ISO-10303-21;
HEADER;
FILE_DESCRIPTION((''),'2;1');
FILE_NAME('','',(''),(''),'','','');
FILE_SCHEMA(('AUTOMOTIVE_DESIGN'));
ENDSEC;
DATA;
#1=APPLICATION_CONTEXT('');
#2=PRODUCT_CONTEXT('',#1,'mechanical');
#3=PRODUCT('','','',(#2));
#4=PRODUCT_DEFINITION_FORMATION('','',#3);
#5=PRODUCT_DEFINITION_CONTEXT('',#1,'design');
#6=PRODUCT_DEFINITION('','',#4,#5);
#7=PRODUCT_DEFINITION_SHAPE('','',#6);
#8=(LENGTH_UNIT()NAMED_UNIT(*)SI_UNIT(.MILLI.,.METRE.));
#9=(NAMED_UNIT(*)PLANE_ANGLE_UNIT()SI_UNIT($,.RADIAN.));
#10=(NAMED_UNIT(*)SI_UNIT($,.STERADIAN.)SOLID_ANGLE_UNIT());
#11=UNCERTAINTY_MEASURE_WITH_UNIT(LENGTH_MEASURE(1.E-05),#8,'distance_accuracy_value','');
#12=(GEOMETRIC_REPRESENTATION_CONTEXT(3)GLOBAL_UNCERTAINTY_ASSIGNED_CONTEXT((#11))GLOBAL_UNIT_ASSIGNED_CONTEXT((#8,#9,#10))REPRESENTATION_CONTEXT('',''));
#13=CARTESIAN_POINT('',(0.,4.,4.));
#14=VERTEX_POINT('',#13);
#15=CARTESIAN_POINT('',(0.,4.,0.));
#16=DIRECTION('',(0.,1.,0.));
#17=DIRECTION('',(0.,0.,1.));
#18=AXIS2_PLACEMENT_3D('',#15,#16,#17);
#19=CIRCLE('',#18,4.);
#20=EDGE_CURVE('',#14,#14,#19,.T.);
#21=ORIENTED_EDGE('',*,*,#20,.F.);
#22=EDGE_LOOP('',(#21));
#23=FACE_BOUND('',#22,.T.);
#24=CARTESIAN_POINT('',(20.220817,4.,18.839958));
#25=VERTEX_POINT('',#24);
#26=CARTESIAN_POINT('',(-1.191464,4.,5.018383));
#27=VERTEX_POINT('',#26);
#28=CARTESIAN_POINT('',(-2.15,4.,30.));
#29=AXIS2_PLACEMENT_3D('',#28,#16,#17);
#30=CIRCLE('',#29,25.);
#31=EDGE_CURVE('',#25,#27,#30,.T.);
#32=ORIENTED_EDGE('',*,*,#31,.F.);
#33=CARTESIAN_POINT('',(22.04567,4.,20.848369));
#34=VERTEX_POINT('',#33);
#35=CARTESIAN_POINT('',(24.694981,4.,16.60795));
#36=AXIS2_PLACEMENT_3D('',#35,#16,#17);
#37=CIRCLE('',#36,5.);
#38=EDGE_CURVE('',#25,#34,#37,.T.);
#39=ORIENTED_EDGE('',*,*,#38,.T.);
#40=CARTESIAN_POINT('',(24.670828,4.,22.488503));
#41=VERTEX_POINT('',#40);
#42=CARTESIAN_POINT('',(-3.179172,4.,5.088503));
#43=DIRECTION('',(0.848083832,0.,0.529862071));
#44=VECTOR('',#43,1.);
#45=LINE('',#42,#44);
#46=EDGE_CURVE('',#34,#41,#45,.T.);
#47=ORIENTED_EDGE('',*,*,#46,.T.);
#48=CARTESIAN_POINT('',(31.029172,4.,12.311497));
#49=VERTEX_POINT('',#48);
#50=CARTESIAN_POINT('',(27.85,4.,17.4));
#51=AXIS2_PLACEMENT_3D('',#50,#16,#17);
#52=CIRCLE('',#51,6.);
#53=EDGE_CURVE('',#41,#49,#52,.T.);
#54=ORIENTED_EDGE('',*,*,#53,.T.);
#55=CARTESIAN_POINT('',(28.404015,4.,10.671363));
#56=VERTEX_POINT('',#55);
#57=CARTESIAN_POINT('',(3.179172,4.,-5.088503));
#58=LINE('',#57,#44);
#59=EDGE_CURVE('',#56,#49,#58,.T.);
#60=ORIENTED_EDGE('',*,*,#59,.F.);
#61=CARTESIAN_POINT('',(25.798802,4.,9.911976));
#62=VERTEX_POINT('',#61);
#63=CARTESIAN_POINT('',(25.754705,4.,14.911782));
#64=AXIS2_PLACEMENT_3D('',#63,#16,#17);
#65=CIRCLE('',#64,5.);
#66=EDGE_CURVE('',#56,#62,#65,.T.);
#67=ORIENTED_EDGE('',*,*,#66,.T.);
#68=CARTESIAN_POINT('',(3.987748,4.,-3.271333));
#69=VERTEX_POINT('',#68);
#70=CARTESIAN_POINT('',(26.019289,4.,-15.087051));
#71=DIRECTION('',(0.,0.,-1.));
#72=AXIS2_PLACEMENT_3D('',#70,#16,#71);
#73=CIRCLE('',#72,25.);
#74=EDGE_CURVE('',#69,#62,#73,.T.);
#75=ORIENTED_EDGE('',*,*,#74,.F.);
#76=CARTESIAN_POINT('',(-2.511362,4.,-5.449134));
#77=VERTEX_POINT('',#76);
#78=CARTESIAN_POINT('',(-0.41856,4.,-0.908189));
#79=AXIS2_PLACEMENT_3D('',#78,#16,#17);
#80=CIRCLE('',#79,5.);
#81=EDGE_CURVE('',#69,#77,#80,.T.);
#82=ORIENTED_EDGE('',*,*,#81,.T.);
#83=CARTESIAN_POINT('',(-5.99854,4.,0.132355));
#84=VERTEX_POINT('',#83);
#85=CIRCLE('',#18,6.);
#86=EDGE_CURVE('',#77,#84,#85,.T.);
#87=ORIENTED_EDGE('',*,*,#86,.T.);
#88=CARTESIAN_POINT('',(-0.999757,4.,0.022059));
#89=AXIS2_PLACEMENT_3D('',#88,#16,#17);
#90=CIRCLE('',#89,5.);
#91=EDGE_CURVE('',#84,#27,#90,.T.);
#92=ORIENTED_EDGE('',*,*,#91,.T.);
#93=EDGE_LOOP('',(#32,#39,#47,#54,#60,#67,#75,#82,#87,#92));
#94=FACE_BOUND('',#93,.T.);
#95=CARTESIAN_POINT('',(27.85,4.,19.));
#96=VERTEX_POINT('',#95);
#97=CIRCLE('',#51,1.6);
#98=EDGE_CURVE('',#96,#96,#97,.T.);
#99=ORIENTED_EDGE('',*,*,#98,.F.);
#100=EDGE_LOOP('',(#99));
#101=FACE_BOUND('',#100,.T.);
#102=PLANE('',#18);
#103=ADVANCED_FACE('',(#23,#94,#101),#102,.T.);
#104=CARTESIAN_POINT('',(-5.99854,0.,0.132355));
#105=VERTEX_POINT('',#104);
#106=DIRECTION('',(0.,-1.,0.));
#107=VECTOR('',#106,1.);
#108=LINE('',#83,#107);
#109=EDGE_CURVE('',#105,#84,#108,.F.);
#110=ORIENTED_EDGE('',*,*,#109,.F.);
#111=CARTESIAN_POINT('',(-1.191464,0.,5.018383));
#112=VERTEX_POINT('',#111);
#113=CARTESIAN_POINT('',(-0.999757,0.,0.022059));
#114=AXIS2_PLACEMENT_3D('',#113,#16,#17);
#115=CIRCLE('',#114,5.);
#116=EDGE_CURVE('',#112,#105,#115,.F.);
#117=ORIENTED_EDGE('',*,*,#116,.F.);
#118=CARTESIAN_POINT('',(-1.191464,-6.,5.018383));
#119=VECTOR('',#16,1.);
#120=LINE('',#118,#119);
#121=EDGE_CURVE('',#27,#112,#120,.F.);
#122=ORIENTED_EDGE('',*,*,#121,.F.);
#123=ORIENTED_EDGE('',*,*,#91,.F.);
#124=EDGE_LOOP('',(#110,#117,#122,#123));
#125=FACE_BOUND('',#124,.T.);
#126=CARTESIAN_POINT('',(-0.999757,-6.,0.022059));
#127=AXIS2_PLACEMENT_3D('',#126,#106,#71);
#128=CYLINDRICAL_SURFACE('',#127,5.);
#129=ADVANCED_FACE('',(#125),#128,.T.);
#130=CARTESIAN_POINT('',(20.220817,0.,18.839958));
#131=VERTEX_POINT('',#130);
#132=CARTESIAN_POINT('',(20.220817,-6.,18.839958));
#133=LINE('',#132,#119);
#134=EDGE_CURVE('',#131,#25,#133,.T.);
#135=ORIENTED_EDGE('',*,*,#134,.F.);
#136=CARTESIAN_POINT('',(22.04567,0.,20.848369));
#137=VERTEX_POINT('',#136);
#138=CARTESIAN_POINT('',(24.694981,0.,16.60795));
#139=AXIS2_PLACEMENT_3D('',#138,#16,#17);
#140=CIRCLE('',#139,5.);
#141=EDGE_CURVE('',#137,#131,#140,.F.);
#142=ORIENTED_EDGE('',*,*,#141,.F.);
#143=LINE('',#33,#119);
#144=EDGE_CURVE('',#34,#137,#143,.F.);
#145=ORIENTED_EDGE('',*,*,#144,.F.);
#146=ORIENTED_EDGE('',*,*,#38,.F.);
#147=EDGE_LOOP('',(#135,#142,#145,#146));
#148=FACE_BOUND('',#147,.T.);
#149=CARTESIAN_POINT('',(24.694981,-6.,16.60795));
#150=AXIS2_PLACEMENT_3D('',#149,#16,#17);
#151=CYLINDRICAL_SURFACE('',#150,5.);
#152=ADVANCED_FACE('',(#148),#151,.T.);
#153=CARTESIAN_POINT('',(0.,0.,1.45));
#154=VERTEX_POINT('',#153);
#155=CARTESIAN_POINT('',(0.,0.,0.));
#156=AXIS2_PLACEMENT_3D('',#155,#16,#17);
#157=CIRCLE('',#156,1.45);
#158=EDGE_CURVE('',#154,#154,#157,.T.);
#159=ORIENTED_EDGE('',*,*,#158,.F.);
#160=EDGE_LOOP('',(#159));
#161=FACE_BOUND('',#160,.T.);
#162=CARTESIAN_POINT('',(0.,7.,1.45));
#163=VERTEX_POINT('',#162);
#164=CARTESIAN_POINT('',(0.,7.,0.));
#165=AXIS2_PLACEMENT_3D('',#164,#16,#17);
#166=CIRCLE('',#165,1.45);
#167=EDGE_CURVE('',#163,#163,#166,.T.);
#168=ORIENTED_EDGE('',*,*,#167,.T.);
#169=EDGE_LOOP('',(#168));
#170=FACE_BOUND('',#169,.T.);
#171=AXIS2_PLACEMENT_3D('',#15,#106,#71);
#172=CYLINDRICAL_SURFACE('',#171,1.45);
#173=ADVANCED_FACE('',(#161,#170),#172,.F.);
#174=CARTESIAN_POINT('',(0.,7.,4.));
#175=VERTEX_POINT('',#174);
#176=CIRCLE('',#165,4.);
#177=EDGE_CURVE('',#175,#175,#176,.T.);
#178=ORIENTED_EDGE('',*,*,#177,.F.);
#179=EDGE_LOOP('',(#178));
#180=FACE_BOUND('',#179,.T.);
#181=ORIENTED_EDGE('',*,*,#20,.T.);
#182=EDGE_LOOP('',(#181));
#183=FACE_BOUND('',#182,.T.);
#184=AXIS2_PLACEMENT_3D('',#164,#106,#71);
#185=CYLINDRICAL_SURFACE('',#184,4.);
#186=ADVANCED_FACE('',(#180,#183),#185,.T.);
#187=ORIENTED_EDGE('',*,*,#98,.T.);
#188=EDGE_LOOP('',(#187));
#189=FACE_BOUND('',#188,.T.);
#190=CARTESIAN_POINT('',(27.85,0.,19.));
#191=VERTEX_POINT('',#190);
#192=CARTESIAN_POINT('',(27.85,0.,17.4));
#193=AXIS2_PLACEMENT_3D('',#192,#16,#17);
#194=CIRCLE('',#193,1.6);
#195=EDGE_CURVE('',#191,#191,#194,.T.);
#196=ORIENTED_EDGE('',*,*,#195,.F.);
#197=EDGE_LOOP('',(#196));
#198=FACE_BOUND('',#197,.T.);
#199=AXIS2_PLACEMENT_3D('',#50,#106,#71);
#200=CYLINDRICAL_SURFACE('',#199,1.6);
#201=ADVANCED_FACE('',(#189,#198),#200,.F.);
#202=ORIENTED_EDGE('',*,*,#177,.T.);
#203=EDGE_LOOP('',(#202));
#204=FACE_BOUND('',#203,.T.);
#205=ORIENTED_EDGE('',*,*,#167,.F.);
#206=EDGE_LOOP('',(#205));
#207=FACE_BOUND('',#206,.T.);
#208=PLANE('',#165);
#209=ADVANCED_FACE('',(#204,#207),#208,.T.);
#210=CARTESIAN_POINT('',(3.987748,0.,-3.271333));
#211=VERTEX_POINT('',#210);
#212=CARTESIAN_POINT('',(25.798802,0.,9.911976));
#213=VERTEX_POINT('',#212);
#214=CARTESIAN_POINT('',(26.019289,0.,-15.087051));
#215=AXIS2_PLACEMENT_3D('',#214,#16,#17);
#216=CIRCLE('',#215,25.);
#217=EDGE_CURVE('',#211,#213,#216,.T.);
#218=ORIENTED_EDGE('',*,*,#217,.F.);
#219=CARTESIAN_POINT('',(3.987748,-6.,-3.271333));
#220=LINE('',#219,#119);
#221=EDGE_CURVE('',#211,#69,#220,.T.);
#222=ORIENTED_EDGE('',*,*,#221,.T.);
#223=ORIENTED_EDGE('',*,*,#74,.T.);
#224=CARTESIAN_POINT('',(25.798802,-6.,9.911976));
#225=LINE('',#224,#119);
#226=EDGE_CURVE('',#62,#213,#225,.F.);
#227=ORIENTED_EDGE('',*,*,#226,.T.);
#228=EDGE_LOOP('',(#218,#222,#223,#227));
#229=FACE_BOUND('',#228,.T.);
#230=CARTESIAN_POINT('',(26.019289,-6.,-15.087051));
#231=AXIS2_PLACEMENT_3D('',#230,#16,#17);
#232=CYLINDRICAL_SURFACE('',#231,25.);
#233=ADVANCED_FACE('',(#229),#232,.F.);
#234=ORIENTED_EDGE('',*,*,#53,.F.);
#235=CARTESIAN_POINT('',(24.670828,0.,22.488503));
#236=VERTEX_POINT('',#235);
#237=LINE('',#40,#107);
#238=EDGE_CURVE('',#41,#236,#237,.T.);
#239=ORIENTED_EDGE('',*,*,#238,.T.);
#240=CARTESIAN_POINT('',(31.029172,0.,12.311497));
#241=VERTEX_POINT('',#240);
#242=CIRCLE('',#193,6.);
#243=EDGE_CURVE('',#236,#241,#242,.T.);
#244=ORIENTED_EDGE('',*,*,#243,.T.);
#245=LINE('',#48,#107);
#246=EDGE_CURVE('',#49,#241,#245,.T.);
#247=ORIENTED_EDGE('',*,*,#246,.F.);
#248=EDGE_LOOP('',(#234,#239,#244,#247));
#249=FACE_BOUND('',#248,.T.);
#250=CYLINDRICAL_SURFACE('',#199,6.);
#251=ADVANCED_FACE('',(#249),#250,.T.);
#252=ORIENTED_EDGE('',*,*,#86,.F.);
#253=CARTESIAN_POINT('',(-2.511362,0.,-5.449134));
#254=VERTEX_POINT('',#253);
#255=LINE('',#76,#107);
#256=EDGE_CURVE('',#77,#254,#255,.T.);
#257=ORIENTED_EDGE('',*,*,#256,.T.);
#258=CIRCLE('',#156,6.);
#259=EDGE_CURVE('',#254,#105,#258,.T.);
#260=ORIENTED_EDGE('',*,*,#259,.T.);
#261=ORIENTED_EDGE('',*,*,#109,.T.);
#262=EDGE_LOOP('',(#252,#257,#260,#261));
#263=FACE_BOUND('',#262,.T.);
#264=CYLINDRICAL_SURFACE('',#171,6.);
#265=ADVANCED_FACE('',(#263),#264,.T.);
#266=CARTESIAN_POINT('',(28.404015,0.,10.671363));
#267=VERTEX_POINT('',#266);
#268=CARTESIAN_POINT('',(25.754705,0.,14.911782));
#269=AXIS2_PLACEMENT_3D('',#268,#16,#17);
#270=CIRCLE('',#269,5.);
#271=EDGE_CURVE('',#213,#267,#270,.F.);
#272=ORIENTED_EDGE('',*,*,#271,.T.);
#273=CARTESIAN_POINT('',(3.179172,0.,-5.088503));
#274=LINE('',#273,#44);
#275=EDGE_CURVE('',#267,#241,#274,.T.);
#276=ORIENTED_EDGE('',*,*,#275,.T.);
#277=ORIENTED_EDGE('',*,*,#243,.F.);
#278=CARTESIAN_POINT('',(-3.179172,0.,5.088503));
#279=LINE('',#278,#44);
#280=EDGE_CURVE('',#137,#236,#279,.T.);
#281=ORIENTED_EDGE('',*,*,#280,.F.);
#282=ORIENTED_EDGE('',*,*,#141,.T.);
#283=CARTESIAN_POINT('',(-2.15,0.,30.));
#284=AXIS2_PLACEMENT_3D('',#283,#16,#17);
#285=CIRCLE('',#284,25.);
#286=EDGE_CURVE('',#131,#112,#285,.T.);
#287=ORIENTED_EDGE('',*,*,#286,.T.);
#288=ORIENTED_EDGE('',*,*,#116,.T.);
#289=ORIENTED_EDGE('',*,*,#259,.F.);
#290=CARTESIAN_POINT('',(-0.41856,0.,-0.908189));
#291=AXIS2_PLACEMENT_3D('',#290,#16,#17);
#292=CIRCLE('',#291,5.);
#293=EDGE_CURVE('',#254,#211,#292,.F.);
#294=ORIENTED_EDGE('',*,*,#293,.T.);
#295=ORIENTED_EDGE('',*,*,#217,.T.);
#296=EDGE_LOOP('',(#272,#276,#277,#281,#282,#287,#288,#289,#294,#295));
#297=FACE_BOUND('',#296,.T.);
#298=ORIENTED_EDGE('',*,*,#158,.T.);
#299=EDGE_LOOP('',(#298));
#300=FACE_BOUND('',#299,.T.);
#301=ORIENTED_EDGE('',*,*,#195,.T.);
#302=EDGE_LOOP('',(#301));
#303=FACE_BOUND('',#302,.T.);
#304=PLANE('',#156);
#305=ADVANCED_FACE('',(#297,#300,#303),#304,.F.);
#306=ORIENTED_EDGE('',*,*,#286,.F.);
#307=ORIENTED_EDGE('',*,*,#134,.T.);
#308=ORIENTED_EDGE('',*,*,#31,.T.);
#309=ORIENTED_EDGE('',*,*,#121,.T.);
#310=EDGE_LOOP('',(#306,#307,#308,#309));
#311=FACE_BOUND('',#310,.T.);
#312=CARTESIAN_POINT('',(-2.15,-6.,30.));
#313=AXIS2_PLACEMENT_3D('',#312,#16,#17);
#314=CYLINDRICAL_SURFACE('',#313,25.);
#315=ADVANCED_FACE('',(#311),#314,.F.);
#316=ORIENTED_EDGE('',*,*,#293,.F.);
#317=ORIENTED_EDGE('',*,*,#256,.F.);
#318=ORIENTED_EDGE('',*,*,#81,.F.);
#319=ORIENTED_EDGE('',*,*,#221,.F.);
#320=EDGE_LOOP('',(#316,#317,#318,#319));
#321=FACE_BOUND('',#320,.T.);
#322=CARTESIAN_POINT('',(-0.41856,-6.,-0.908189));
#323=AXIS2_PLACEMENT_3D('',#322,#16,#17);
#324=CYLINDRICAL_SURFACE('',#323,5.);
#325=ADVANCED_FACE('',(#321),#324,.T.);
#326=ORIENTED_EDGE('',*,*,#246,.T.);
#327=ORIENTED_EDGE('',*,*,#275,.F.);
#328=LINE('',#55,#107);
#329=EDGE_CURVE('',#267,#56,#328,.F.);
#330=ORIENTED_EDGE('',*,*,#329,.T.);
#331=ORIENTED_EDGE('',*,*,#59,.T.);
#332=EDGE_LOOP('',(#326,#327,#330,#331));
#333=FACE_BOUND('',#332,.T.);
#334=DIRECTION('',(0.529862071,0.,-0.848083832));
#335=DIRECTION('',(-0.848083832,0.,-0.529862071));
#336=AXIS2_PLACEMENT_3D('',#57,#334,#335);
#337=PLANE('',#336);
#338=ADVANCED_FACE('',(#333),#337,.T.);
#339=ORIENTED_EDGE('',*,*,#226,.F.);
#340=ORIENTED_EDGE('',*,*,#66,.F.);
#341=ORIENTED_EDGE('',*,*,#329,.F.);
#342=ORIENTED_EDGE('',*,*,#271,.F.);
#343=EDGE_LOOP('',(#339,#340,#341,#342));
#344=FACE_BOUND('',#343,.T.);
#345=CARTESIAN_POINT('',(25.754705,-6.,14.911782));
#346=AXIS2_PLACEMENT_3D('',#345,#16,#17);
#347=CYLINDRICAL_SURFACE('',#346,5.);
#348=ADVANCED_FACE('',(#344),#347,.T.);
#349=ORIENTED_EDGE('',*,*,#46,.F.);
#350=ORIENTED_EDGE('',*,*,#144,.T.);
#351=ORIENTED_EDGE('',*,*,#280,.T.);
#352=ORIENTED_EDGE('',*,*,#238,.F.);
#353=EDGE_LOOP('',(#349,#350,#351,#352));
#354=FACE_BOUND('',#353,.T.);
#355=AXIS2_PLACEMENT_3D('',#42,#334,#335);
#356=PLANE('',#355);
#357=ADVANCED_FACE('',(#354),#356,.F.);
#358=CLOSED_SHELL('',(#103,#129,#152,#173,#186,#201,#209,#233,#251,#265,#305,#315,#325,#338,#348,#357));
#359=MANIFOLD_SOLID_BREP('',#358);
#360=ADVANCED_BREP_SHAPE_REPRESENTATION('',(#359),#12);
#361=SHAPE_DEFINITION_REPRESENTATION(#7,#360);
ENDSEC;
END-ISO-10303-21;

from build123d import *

# Parameters (mm, degrees)
SKETCH1_R           = 1.45
SKETCH1_R_2         = 1.6
BOSS_EXTRUDE1_DEPTH = 4
SKETCH2_R           = 4
SKETCH2_R_2         = 1.45
BOSS_EXTRUDE2_DEPTH = 3
SKETCH3_R           = 25
CUT_EXTRUDE1_DEPTH  = 10
FILLET1_R           = 5


with BuildPart() as part:
    # Sketch1 → Boss-Extrude1 (new body)
    # profile 1 of 3: a face of its own
    with BuildSketch(Plane(origin=(0, 0, 0), x_dir=(1, 0, 0), z_dir=(0, 1, 0))):
        with BuildLine():
            ThreePointArc((6, 0), (5.247620154, 2.909034672), (3.179172425, 5.088502991))
            ThreePointArc((3.179172425, 5.088502991), (-3.872509642, 4.582976007), (-5.547666284, -2.285475619))
            ThreePointArc((-5.547666284, -2.285475619), (-4.582976007, -3.872509642), (-3.179172425, -5.088502991))
            ThreePointArc((-3.179172425, -5.088502991), (2.909034672, -5.247620154), (6, 0))
        make_face()
        with Locations(Location((0, 0, 0), (0, 0, 270))):
            Circle(SKETCH1_R, mode=Mode.SUBTRACT)
    # profile 2 of 3: a face of its own
    with BuildSketch(Plane(origin=(0, 0, 0), x_dir=(1, 0, 0), z_dir=(0, 1, 0))):
        with BuildLine():
            Line((31.029172425, -12.311497009), (3.179172425, 5.088502991))
            ThreePointArc((3.179172425, 5.088502991), (5.247620154, 2.909034672), (6, 0))
            ThreePointArc((6, 0), (2.909034672, -5.247620154), (-3.179172425, -5.088502991))
            Line((-3.179172425, -5.088502991), (24.670827575, -22.488502991))
            ThreePointArc((24.670827575, -22.488502991), (22.602379846, -20.309034672), (21.85, -17.4))
            ThreePointArc((21.85, -17.4), (23.259082466, -13.536908466), (26.824492066, -11.488288448))
            ThreePointArc((26.824492066, -11.488288448), (29.002816451, -11.511790235), (31.029172425, -12.311497009))
        make_face()
    # profile 3 of 3: a face of its own
    with BuildSketch(Plane(origin=(0, 0, 0), x_dir=(1, 0, 0), z_dir=(0, 1, 0))):
        with BuildLine():
            ThreePointArc((33.85, -17.4), (33.097620154, -14.490965328), (31.029172425, -12.311497009))
            ThreePointArc((31.029172425, -12.311497009), (29.002816451, -11.511790235), (26.824492066, -11.488288448))
            ThreePointArc((26.824492066, -11.488288448), (23.259082466, -13.536908466), (21.85, -17.4))
            ThreePointArc((21.85, -17.4), (22.602379846, -20.309034672), (24.670827575, -22.488502991))
            ThreePointArc((24.670827575, -22.488502991), (30.759034672, -22.647620154), (33.85, -17.4))
        make_face()
        with Locations(Location((27.85, -17.4, 0), (0, 0, 270))):
            Circle(SKETCH1_R_2, mode=Mode.SUBTRACT)
    extrude(amount=BOSS_EXTRUDE1_DEPTH)

    # Sketch2 → Boss-Extrude2 (add)
    with BuildSketch(Plane(origin=(0, 4, 0), x_dir=(1, 0, 0), z_dir=(0, 1, 0))):
        with Locations(Location((0, 0, 0), (0, 0, 270))):
            Circle(SKETCH2_R)
        with Locations(Location((0, 0, 0), (0, 0, 270))):
            Circle(SKETCH2_R_2, mode=Mode.SUBTRACT)
    extrude(amount=BOSS_EXTRUDE2_DEPTH)

    # Sketch3 → Cut-Extrude1 (cut)
    with BuildSketch(Plane(origin=(0, 4, 0), x_dir=(1, 0, 0), z_dir=(0, 1, 0))):
        with Locations((-2.15, -30)):
            Circle(SKETCH3_R)
        with Locations((26.019288726, 15.087051209)):
            Circle(SKETCH3_R)
    extrude(amount=-CUT_EXTRUDE1_DEPTH, mode=Mode.SUBTRACT)

    # Fillet1
    fillet1_edges = [part.edges().sort_by_distance(p)[0] for p in [
        (-3.277923152, 2, 5.025457174),
        (20.790880187, 2, 20.064406598),
        (27.149225038, 2, 9.887400616),
        (3.079209508, 2, -5.149608607),
    ]]
    fillet(fillet1_edges, radius=FILLET1_R)


solid = part.part
